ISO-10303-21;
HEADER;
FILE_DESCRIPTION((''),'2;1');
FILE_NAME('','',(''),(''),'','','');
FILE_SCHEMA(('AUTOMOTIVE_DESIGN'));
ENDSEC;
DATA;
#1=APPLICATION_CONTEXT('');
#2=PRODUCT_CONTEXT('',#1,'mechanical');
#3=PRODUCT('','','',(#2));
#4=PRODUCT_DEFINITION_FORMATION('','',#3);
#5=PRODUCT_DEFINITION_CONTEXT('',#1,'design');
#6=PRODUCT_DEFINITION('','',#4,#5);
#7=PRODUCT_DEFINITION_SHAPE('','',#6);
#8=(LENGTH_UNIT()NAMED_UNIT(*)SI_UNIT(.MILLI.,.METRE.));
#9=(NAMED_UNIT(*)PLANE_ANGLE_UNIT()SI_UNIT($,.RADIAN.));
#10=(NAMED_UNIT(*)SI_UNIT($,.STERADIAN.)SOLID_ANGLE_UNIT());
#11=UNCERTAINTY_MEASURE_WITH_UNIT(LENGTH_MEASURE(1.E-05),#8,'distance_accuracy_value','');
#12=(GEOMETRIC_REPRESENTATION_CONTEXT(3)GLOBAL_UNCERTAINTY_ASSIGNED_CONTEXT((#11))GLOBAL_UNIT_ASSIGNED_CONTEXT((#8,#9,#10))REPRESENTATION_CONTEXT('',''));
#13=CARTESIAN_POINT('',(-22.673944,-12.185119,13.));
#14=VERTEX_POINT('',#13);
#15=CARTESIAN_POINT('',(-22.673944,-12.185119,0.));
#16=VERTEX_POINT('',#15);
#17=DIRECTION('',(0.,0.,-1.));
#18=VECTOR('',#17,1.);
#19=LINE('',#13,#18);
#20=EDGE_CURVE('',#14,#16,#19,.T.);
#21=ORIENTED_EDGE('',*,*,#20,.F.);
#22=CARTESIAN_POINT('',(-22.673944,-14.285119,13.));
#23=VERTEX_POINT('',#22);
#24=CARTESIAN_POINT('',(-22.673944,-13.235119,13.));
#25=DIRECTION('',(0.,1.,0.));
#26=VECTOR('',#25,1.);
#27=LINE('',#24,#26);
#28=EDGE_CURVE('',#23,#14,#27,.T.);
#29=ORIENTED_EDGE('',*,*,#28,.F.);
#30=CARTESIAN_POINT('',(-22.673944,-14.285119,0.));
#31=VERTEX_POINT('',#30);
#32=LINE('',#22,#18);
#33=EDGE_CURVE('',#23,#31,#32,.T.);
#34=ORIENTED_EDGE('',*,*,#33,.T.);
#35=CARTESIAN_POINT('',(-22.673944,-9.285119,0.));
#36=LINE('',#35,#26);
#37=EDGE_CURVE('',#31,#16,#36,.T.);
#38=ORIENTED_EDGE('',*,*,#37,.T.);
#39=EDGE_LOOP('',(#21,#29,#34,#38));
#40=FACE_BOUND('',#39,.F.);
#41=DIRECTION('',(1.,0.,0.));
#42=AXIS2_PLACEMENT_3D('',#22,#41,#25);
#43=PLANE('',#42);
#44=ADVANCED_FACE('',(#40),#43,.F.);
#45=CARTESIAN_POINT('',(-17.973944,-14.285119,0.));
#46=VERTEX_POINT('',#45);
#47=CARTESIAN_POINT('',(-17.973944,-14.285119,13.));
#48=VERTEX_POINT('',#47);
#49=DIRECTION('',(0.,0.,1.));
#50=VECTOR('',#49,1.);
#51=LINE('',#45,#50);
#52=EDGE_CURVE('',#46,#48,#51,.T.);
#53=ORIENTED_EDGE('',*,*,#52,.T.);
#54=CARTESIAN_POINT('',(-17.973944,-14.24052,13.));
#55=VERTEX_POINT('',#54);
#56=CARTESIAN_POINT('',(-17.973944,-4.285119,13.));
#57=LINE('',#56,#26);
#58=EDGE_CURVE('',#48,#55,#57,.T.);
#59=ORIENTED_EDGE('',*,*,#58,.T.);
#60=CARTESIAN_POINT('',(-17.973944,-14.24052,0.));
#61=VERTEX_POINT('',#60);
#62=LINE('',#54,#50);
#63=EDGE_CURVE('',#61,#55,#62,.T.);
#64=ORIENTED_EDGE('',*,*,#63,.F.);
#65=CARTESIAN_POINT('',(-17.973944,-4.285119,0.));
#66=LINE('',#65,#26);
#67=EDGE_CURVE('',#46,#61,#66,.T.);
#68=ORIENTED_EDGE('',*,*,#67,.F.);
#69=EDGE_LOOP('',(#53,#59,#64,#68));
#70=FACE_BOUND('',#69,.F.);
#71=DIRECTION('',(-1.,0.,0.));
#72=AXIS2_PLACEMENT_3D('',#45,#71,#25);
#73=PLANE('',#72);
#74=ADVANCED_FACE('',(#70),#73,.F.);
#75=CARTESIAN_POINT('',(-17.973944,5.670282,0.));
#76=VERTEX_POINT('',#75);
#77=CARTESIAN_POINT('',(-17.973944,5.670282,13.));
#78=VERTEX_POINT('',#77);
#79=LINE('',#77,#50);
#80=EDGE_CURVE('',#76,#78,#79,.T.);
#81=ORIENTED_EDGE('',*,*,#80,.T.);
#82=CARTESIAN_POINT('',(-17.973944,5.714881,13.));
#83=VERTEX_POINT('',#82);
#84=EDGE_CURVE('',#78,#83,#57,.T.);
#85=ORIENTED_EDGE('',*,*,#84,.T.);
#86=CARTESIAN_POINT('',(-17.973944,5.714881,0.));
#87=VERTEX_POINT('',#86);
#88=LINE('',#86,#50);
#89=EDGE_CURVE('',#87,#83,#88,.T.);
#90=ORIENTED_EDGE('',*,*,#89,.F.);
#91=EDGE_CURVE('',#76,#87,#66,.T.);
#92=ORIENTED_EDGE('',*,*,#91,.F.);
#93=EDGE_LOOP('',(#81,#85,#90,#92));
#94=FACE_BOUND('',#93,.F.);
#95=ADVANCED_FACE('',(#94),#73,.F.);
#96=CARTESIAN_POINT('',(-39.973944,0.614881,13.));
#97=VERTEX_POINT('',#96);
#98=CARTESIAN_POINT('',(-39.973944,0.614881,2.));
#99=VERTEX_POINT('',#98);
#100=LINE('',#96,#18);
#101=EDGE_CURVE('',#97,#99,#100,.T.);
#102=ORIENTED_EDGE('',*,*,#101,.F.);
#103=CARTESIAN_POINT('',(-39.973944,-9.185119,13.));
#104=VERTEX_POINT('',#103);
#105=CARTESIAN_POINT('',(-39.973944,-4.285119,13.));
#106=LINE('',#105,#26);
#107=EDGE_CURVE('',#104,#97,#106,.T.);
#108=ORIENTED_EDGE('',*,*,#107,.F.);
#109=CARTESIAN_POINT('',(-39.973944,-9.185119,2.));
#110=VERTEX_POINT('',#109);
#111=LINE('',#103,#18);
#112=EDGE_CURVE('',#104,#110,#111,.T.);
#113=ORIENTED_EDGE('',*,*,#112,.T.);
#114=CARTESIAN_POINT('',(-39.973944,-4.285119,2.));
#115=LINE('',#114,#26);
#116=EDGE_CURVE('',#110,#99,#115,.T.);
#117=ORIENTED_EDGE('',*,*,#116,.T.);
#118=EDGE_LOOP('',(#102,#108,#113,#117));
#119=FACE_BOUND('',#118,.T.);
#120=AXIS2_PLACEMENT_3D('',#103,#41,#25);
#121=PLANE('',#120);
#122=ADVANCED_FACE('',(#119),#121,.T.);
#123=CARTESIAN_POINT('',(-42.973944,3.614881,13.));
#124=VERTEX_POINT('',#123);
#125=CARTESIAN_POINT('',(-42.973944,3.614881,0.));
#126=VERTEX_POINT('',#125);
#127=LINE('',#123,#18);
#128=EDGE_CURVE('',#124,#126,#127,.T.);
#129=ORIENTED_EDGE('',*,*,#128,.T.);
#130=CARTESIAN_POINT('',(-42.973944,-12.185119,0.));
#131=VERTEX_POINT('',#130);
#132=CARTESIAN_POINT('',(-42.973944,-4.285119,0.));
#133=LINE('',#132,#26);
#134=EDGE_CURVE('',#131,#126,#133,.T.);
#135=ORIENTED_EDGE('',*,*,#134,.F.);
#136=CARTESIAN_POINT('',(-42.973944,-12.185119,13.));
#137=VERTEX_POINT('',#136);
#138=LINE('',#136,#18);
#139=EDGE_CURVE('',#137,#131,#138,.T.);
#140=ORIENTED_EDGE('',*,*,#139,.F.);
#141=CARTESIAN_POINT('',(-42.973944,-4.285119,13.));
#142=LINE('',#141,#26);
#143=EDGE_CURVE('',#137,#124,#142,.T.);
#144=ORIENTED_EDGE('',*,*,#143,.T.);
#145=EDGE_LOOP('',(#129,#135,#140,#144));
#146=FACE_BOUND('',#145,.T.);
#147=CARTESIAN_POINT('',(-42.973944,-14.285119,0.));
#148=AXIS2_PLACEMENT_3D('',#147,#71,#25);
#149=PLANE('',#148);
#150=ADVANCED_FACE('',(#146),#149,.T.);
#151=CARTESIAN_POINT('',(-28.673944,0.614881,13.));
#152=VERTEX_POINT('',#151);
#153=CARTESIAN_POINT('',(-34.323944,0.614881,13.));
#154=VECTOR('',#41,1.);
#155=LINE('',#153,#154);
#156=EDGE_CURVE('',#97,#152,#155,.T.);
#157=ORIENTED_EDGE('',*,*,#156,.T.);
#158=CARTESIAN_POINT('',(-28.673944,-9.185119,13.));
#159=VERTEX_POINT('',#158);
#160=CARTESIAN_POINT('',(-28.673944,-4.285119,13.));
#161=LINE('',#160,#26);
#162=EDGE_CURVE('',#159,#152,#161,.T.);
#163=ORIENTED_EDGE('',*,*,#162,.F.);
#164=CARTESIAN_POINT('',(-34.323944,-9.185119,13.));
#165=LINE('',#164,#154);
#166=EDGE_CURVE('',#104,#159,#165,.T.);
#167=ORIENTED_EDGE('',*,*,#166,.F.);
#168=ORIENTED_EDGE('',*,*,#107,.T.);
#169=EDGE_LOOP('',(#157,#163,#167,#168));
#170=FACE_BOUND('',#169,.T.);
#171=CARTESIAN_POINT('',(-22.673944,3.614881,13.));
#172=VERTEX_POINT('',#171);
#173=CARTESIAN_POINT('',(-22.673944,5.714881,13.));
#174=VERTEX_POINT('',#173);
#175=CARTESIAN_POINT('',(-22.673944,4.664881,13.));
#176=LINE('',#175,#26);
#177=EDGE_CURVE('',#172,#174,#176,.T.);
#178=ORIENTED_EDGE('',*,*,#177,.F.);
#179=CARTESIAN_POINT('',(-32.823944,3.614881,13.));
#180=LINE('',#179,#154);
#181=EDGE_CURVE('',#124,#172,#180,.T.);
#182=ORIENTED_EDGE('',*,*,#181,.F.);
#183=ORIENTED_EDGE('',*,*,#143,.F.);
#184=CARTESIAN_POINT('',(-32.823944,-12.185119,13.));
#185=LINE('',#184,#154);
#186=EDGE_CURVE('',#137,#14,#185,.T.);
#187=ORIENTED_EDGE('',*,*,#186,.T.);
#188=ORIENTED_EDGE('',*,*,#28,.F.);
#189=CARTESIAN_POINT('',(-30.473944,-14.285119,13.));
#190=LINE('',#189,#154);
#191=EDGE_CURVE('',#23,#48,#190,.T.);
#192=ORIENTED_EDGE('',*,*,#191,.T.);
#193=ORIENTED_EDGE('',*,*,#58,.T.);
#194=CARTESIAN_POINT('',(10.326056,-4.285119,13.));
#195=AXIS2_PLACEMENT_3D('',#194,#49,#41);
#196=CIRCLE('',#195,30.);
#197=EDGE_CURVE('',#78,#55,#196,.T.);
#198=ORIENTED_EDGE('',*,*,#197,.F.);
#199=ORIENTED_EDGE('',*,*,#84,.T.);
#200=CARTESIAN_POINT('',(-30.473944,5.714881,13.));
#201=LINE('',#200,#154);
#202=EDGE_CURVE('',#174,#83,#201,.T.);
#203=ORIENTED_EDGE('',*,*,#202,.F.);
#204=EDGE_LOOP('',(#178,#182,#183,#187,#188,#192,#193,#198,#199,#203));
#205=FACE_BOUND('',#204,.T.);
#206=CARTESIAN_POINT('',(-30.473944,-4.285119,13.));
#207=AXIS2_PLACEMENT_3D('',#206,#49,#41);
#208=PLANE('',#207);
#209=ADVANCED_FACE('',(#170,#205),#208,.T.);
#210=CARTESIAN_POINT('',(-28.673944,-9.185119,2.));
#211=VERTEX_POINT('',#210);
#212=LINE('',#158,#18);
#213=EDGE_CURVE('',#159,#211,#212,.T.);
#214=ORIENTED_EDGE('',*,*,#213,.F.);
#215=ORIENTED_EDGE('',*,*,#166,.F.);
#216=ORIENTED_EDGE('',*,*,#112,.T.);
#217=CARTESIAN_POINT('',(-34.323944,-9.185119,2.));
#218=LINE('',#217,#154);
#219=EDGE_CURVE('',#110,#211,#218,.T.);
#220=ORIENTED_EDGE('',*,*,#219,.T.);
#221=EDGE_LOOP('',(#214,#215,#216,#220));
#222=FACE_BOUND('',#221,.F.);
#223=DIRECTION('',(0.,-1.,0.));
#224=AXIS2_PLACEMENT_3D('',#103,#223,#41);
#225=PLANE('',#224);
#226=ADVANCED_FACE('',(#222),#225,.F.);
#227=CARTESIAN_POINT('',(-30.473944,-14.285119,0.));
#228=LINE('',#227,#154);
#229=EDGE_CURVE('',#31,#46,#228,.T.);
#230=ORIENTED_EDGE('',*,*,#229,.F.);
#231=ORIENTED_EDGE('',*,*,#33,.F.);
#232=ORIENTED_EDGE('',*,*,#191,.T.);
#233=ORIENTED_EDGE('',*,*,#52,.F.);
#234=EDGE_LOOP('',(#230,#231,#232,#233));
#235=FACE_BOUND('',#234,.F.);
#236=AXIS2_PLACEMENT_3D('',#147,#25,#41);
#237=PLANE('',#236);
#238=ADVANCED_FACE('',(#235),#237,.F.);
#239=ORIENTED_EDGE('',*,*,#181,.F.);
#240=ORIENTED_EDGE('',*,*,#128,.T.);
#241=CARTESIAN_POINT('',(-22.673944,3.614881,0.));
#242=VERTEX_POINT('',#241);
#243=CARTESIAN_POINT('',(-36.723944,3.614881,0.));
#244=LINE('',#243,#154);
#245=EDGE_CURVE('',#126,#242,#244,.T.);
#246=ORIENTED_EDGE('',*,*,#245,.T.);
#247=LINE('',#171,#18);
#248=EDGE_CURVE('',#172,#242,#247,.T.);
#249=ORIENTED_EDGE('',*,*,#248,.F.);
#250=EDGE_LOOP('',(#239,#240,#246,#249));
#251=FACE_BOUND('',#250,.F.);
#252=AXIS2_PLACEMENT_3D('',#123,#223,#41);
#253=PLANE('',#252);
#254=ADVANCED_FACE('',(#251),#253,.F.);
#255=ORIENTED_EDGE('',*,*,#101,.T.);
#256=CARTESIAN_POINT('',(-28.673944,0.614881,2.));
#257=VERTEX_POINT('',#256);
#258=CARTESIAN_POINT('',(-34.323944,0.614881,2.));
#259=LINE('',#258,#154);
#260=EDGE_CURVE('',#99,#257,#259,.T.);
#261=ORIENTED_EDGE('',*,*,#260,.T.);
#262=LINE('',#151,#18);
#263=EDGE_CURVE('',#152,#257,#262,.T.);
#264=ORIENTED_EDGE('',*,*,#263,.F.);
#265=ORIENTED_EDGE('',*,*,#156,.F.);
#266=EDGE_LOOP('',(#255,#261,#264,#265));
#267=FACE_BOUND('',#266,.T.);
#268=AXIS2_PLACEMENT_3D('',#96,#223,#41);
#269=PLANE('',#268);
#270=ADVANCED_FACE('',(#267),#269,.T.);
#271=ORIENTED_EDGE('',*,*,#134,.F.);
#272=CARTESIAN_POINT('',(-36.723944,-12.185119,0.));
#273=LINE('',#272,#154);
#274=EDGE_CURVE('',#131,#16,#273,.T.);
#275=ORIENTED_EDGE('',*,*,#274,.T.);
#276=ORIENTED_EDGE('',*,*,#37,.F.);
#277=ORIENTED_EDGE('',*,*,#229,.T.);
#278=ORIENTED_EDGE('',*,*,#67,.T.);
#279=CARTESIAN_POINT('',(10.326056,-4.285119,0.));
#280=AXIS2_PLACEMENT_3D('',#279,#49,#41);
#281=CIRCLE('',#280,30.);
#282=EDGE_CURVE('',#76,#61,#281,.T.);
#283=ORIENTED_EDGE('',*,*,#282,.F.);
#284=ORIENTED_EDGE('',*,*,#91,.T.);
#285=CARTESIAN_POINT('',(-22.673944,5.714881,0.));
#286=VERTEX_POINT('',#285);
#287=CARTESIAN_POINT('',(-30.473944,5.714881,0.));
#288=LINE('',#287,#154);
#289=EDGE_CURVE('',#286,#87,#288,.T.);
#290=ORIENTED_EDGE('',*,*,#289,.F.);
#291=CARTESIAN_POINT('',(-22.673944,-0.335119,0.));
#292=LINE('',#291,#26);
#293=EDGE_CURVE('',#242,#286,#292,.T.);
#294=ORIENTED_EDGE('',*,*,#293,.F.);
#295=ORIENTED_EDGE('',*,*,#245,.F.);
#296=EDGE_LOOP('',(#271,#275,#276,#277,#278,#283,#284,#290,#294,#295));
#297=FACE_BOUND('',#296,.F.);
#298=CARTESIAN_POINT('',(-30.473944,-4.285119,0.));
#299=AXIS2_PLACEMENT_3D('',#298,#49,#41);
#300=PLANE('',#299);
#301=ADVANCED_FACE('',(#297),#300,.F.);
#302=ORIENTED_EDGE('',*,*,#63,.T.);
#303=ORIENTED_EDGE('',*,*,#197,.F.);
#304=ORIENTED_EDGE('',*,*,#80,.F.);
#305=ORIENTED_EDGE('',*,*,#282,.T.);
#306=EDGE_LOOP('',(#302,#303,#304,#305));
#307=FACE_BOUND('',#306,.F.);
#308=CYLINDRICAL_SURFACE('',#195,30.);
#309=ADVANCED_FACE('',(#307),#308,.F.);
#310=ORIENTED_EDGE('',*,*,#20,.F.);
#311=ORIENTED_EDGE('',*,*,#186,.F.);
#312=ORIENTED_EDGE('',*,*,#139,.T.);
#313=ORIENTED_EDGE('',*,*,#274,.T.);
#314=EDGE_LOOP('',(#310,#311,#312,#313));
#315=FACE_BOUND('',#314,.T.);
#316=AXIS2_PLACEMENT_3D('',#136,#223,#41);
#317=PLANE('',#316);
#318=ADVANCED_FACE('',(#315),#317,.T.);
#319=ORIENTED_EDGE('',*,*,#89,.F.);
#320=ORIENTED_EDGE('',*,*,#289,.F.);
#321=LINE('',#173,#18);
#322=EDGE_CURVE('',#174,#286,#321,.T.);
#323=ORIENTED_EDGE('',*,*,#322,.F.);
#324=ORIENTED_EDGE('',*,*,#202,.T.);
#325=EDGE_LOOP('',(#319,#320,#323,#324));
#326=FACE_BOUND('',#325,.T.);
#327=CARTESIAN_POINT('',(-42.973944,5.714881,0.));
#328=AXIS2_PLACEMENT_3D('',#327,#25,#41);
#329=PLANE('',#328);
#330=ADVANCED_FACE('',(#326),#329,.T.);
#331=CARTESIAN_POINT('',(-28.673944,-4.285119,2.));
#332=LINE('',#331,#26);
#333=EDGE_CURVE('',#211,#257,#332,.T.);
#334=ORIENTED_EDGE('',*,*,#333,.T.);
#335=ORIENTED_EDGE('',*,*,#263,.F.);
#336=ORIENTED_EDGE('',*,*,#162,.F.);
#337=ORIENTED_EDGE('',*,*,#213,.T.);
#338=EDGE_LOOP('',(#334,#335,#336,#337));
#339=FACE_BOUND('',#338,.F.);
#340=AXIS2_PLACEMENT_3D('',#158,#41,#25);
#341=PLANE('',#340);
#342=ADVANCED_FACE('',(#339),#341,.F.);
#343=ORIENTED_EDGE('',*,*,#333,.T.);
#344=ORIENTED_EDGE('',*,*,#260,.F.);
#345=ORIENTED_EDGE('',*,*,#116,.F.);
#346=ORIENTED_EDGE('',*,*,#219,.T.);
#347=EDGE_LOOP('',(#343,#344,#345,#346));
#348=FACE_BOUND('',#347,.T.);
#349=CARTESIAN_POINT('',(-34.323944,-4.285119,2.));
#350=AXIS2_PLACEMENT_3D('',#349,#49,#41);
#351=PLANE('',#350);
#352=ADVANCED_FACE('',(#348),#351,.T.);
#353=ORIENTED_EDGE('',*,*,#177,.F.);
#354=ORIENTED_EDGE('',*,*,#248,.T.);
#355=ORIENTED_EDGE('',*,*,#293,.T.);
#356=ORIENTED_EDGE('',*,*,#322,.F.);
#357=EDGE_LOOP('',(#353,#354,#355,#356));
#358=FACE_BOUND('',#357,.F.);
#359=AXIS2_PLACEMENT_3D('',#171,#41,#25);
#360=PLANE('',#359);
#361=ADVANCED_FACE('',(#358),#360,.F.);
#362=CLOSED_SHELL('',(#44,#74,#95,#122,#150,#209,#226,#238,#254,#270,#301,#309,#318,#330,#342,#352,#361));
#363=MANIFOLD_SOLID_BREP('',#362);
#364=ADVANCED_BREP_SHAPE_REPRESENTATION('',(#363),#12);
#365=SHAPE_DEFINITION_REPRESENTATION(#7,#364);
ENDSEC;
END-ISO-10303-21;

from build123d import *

# Parameters (mm, degrees)
F0_W     = 25
F0_H     = 20
F1_DEPTH = 13
F2_W     = 11.3
F2_H     = 9.8
F3_DEPTH = 11
F4_W     = 20.3
F4_H     = 2.1
F5_DEPTH = 25
F6_R     = 30
F7_DEPTH = 25


with BuildPart() as f1:
    # F0 (on Top) → F1 (new body)
    with BuildSketch(Plane.XY):
        with Locations((-30.473944, -4.285119)):
            Rectangle(F0_W, F0_H)
    extrude(amount=F1_DEPTH)

    # F2 (on face) → F3 (cut)
    with BuildSketch(Plane.XY.offset(13)):
        with Locations((-34.323944, -4.285119)):
            Rectangle(F2_W, F2_H)
    extrude(amount=-F3_DEPTH, mode=Mode.SUBTRACT)

    # F4 (on face) → F5 (cut)
    with BuildSketch(Plane.XY.offset(13)):
        with Locations((-32.823944, 4.664881)):
            Rectangle(F4_W, F4_H)
        with Locations((-32.823944, -13.235119)):
            Rectangle(F4_W, F4_H)
    extrude(amount=-F5_DEPTH, mode=Mode.SUBTRACT)

    # F6 (on face) → F7 (cut)
    with BuildSketch(Plane.XY.offset(13)):
        with Locations((10.326056, -4.285119)):
            Circle(F6_R)
    extrude(amount=-F7_DEPTH, mode=Mode.SUBTRACT)


solid = f1.part
